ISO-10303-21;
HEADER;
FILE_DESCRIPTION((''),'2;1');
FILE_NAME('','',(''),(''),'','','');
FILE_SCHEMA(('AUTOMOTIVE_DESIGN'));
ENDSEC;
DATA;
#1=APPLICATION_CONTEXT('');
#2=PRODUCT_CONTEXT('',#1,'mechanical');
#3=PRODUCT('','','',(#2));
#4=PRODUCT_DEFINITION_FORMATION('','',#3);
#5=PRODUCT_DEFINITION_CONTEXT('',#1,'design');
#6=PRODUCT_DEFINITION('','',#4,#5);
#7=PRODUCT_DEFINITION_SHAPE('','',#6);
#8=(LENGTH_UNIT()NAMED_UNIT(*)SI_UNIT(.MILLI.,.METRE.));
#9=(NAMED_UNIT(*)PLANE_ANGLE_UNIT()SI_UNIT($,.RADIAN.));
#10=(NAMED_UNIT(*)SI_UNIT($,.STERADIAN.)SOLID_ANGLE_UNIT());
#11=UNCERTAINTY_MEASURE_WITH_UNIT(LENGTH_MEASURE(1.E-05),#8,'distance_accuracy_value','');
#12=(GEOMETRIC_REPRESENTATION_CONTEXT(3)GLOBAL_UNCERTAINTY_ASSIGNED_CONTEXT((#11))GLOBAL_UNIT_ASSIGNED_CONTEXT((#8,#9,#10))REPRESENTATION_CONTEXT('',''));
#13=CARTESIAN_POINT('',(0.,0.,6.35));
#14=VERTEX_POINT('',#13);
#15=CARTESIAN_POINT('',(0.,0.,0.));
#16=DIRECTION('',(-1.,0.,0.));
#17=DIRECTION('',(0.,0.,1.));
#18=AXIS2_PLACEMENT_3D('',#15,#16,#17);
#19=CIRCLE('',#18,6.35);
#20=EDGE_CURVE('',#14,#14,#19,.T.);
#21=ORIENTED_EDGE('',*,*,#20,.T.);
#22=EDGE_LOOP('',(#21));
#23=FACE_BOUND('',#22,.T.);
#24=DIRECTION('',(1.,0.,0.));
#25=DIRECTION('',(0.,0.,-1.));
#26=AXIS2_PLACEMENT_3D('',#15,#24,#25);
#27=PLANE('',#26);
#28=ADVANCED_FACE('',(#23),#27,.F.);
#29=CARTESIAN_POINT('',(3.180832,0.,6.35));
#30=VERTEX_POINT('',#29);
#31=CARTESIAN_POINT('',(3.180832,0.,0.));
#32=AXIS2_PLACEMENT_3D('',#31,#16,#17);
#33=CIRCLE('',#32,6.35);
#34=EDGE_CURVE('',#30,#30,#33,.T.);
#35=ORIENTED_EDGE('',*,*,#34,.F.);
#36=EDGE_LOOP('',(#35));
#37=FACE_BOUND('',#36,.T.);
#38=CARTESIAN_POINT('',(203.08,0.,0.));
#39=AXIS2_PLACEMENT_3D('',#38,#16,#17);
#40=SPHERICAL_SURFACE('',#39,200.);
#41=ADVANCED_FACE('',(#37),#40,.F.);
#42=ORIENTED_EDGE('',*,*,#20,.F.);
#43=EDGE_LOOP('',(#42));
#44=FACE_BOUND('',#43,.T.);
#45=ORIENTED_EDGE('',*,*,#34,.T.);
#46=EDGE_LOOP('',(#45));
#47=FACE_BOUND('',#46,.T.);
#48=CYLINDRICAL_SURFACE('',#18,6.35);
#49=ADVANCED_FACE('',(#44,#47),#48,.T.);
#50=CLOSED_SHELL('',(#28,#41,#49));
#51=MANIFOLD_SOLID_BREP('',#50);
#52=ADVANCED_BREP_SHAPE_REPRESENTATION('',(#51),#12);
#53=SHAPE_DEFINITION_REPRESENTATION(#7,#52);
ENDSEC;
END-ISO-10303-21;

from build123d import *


with BuildPart() as part:
    # 草图1 → 旋转1 (revolve)
    with BuildSketch(Plane(origin=(0, 0, 0), x_dir=(1, 0, 0), z_dir=(0, 1, 0)), mode=Mode.PRIVATE) as revolve_1_sk:
        with BuildLine():
            Line((0, 0), (3.08, 0))
            ThreePointArc((3.08, 0), (3.105209506, 3.175400251), (3.180831668, 6.35))
            Line((3.180831668, 6.35), (0, 6.35))
            Line((0, 6.35), (0, 0))
        make_face()
    revolve(revolve_1_sk.sketch.rotate(Axis((0, 0, 0), (1, 0, 0)), 180), axis=Axis((0, 0, 0), (1, 0, 0)))  # turned: the seam where the file's is


solid = part.part
